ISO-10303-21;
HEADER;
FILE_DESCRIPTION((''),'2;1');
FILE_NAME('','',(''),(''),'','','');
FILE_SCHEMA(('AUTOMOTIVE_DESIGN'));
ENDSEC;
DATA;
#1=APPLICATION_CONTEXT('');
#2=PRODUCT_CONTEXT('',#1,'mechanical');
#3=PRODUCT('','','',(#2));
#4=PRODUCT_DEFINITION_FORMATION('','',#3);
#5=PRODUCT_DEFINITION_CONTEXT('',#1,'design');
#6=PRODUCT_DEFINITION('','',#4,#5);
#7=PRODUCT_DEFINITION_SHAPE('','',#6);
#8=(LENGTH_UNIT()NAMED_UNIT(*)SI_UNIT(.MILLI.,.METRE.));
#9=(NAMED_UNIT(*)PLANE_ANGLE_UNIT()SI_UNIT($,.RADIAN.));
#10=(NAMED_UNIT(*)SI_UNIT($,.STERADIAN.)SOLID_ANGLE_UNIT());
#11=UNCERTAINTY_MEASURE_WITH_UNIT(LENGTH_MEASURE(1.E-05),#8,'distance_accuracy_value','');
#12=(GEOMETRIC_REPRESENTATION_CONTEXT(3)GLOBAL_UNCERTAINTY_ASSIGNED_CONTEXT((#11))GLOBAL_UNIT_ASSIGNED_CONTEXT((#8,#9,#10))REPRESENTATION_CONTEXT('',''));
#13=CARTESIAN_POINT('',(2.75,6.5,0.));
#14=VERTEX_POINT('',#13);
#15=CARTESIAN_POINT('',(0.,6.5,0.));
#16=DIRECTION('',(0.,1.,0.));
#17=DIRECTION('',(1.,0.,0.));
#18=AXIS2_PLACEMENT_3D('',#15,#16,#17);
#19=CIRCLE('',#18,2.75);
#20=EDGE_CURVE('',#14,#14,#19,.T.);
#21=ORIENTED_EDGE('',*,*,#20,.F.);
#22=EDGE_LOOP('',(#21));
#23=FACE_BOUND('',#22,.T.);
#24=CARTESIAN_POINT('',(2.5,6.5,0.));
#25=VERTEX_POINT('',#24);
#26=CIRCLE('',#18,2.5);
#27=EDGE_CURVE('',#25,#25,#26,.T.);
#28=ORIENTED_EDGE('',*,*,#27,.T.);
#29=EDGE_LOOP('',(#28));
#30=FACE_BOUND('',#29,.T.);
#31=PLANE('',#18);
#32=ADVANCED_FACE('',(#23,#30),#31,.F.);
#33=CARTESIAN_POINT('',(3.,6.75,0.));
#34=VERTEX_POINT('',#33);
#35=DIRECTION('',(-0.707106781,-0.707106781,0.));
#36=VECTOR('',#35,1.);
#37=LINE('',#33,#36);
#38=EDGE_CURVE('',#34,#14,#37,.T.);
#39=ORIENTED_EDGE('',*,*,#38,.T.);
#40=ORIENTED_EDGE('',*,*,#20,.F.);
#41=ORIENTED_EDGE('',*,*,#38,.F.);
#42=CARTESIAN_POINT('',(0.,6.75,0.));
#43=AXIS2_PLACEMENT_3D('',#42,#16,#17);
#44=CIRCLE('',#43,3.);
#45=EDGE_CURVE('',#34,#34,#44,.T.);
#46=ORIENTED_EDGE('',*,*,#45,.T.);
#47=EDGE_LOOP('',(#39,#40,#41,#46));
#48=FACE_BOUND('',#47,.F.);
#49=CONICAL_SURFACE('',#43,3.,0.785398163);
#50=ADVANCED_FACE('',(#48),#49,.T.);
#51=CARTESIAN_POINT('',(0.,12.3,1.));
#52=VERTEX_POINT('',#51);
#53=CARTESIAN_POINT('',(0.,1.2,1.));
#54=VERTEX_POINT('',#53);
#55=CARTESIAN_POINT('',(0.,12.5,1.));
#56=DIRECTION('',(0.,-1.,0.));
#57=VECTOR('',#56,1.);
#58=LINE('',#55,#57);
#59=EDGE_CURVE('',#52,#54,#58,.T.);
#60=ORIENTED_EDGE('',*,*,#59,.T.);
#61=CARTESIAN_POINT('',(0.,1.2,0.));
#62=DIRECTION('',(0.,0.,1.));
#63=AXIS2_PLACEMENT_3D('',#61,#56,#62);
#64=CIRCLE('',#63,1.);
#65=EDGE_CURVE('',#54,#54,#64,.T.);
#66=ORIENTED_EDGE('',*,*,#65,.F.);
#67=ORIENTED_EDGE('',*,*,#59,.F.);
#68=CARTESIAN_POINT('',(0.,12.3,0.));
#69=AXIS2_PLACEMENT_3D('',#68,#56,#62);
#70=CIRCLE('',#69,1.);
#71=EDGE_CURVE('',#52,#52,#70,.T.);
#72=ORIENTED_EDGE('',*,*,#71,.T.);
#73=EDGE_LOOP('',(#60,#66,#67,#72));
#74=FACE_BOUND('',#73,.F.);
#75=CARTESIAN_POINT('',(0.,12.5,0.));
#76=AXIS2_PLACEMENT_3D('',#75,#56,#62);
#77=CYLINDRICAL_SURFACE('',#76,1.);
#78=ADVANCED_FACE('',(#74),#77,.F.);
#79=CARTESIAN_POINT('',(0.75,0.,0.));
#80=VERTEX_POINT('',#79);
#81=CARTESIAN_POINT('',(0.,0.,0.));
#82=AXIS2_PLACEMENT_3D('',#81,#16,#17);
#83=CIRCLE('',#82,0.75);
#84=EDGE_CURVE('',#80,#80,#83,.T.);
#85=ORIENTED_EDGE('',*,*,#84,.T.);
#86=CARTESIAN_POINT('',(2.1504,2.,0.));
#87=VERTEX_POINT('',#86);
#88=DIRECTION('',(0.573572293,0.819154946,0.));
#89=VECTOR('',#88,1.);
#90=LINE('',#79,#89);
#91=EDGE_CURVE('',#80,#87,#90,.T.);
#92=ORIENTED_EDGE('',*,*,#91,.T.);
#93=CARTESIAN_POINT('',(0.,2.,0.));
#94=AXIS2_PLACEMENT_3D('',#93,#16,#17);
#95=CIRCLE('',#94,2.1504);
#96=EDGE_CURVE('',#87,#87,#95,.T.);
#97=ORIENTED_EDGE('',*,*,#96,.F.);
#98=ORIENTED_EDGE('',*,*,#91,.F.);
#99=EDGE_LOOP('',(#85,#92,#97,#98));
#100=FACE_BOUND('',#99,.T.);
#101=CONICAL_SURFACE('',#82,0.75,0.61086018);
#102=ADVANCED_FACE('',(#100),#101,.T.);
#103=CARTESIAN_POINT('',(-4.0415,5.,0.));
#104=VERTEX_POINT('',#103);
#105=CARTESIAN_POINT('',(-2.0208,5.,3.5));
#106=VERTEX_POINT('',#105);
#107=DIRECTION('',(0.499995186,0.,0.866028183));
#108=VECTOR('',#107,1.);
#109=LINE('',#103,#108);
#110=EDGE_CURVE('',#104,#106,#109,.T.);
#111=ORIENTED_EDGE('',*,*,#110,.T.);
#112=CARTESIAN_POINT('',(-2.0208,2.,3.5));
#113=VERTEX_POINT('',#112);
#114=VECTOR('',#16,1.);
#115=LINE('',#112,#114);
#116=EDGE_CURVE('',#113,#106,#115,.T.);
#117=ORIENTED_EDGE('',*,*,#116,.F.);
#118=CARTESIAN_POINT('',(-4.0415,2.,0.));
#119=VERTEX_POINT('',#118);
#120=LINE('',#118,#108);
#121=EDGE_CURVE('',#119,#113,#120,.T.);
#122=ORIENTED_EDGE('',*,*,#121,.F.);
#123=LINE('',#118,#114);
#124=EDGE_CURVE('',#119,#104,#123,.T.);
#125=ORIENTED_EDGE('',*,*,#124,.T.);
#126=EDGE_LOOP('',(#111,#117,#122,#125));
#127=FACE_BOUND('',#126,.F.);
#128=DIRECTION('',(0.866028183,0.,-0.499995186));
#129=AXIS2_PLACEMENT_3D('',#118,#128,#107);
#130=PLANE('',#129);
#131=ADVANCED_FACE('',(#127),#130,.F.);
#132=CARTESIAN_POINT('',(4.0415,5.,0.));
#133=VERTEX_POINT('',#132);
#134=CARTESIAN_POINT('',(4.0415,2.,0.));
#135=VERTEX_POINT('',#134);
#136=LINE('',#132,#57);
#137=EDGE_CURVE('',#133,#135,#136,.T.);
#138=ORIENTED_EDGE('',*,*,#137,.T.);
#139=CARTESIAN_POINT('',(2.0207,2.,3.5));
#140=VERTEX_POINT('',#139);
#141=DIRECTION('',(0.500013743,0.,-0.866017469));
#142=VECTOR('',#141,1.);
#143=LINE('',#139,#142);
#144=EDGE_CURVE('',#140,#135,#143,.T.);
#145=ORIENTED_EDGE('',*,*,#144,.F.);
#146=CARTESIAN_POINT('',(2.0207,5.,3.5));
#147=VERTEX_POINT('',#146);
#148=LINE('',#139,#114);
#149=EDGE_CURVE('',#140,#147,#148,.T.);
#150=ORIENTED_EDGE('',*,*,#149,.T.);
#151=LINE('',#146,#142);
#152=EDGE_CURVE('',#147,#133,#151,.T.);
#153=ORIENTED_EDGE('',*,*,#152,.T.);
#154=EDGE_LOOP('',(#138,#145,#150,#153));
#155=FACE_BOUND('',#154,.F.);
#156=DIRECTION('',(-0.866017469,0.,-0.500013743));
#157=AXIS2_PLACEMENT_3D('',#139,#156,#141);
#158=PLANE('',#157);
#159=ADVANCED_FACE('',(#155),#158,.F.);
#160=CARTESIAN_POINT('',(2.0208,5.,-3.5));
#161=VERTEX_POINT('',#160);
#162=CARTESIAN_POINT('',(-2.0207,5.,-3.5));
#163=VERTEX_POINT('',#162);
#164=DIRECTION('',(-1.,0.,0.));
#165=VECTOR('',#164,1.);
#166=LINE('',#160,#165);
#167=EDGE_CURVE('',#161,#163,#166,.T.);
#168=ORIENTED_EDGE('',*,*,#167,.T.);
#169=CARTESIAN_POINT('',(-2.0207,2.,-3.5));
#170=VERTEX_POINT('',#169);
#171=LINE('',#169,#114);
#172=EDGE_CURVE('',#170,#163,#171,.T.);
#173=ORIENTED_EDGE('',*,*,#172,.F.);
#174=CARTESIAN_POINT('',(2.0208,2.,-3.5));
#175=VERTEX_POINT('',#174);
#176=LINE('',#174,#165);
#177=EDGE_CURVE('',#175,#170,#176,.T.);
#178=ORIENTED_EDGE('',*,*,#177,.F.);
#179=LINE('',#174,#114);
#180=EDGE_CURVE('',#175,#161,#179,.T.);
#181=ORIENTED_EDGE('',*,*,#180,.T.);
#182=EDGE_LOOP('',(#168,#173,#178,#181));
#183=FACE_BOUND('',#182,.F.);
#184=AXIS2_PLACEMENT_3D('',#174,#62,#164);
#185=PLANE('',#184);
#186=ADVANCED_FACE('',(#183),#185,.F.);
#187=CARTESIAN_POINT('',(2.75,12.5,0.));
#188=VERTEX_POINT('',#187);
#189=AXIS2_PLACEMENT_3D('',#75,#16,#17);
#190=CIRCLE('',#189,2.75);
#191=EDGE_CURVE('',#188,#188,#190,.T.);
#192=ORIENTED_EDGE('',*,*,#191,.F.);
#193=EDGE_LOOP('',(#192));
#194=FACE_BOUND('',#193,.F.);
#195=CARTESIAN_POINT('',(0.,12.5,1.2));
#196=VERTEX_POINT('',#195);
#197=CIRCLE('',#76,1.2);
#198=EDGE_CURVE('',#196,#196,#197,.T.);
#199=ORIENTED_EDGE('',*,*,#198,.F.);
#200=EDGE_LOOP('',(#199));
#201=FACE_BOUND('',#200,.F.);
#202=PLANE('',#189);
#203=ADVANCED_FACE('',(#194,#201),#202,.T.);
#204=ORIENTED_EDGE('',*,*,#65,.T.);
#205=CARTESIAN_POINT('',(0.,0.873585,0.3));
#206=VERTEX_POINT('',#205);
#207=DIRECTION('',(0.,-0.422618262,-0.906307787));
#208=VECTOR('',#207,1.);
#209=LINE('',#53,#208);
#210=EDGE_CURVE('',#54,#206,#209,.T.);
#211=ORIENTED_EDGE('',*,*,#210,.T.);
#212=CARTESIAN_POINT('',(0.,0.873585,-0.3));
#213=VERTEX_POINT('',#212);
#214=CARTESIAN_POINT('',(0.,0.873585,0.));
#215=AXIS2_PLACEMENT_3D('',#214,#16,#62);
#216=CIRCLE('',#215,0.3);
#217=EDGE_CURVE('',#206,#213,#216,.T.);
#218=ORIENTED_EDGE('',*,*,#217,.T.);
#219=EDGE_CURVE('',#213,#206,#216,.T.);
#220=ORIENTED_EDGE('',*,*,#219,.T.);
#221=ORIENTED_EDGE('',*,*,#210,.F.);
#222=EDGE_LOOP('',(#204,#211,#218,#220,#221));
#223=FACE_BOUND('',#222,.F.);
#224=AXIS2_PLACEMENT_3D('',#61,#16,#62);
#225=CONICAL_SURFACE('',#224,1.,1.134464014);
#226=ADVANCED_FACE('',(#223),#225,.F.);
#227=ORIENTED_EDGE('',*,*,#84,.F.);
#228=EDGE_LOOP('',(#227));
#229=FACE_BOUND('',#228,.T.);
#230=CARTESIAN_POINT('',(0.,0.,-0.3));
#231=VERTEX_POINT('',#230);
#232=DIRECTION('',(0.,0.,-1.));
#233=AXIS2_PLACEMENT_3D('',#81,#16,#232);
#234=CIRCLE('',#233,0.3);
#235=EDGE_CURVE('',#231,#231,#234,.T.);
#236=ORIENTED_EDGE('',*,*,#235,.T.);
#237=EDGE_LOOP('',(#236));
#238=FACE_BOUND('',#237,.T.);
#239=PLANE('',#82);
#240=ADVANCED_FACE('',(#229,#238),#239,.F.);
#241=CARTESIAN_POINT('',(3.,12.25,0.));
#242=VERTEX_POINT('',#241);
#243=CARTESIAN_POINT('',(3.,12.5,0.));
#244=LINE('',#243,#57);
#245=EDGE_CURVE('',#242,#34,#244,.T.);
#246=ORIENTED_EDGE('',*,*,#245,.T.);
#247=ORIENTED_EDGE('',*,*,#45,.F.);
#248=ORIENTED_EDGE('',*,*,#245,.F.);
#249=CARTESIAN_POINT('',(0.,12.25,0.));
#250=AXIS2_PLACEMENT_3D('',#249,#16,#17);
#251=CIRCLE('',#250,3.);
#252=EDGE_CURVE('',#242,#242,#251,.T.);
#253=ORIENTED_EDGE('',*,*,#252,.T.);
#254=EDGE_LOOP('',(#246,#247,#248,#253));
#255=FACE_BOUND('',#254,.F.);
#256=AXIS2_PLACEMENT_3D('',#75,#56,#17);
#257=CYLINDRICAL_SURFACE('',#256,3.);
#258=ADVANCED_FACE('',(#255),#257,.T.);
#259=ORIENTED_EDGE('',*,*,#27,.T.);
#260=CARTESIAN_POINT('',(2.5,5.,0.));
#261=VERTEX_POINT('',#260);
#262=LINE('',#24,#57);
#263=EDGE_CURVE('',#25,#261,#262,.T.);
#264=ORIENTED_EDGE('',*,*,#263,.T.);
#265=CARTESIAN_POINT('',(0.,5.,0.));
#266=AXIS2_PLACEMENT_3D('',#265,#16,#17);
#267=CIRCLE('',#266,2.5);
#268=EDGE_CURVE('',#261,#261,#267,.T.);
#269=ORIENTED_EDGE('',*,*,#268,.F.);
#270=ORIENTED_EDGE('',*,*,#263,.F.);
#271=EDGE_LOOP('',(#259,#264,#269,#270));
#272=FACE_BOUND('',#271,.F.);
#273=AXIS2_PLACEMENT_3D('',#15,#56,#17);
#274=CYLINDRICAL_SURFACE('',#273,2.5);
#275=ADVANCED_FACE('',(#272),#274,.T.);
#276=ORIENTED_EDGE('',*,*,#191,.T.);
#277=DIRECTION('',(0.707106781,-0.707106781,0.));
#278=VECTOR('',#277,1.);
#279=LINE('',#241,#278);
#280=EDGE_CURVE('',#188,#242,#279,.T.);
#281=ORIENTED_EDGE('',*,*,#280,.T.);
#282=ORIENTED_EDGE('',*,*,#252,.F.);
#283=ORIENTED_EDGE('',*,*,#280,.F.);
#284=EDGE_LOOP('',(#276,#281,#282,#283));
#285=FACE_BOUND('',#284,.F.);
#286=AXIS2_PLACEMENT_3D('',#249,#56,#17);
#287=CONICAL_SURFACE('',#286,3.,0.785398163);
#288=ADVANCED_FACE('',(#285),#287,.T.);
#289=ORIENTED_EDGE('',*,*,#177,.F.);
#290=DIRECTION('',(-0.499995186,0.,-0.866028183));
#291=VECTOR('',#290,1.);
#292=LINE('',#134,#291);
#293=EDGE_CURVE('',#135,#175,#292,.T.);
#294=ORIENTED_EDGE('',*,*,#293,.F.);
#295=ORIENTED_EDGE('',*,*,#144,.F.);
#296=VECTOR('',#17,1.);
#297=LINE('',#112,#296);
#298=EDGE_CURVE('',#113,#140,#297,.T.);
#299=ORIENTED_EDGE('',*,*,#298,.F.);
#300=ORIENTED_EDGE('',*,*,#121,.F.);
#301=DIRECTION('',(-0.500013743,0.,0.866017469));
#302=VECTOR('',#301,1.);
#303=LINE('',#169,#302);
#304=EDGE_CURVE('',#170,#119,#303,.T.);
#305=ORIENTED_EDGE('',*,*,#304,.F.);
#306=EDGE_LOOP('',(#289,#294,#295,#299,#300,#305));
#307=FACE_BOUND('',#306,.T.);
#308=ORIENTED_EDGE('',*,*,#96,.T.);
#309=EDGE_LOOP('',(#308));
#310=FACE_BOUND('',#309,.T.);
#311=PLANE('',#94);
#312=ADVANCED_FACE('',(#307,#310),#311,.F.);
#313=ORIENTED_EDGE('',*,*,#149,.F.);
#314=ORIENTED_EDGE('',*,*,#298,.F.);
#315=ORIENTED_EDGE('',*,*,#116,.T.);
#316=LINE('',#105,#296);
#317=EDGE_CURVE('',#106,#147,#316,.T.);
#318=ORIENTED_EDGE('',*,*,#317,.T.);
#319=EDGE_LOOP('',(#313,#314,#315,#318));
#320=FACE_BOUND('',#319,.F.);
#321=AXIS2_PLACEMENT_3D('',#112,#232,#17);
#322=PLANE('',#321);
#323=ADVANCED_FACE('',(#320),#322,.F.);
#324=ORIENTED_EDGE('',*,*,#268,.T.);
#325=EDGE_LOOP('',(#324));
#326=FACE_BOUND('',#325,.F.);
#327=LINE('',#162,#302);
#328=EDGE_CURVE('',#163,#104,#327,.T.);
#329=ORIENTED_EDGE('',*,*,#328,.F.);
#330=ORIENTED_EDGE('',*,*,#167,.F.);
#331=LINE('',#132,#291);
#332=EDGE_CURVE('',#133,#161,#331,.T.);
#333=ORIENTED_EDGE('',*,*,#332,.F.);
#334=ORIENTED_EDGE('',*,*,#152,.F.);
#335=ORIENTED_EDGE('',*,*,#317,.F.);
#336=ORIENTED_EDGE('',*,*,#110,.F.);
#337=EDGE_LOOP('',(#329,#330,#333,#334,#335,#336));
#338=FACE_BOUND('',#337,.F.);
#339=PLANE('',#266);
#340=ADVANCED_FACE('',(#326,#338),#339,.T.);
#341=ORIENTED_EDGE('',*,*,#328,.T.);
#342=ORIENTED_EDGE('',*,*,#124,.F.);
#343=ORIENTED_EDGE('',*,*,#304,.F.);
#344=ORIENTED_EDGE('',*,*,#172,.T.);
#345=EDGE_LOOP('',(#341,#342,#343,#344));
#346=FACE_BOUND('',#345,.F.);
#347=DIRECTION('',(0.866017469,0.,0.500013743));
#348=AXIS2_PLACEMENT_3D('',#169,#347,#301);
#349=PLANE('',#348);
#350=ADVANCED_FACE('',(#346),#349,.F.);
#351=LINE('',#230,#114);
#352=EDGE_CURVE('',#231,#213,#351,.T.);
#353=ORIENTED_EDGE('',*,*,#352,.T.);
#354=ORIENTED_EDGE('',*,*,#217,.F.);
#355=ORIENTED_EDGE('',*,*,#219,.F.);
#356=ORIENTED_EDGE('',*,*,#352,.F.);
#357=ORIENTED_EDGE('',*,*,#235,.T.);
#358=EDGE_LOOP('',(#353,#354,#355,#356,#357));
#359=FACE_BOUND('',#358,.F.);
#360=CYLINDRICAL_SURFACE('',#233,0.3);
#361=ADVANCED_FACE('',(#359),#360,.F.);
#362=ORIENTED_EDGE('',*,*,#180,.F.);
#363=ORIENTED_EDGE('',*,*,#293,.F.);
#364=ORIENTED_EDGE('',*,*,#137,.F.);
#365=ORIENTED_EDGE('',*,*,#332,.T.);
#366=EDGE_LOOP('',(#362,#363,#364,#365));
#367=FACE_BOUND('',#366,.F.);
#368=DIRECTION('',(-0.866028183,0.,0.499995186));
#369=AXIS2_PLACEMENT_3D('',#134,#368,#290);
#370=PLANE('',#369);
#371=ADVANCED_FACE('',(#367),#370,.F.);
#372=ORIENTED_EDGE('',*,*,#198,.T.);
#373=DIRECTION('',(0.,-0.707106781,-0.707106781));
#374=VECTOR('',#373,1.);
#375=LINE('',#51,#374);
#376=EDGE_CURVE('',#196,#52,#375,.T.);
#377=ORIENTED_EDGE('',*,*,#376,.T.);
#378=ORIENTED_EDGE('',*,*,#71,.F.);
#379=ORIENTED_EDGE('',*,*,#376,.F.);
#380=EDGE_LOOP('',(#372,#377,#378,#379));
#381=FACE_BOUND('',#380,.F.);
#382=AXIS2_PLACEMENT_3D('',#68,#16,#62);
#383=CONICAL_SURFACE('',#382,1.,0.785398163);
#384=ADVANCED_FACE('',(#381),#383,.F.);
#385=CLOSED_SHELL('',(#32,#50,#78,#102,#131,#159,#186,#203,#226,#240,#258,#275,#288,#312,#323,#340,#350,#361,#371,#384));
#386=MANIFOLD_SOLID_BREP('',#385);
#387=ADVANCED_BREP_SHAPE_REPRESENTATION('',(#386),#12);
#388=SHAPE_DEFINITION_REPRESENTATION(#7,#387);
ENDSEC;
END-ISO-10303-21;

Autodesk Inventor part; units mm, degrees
ref_plane "YZ Plane" through (0, 0, 0) normal (1, 0, 0) x (0, 1, 0)
ref_plane "XZ Plane" through (0, 0, 0) normal (0, 1, 0) x (-1, 0, 0)
ref_plane "XY Plane" through (0, 0, 0) normal (0, 0, 1) x (1, 0, 0)
sketch "Эскиз1" plane through (0, 0, 0) normal (0, 0, 1) x (1, 0, 0)
  line L0 (0, 0) -> (0, 15)
  line L1 (0, 12.5) -> (3, 12.5)
  line L2 (2.1504, 2) -> (4.0415, 2)
  line L3 (2.5, 5) -> (4.0415, 5)
  line L4 (2.5, 6.5) -> (3, 6.5)
  line L5 (0, 0) -> (0.75, 0)
  line L6 (2.5, 6.5) -> (2.5, 5)
  line L7 (3, 12.5) -> (3, 6.5)
  line L8 (0.75, 0) -> (2.1504, 2)
  line L9 (4.0415, 5) -> (4.0415, 2)
  line L10 (0, 12.5) -> (0, 0)
  dimension "d0" = 15
  dimension "d1" = 12.5
  dimension "d2" = 10.5
  dimension "d3" = 7.5
  dimension "d4" = 6
  dimension "d6" = 5
  dimension "d7" = 6
  dimension "d8" = 125
  dimension "d11" = 8.083
  dimension "d44" = 1.5
revolve "Вращение1" add sketch "Эскиз1" angle 360 about axis through (0, 0, 0) along (0, 1, 0)
chamfer "Фаска1" distance 0.25 angle 45 2 edges at (-3, 12.5, 0) (-3, 6.5, 0)
thread "Резьба1" size "M6x1" class "6g" standard "ANSI Metric M Profile" full length
sketch "Эскиз2" plane through (0, 12.5, 0) normal (0, 1, 0) x (1, 0, 0)
  point P0 (0, 0)
  point P1 (0, 0)
sketch "Эскиз3" plane through (0, 0, 0) normal (0, -1, 0) x (1, 0, 0)
  point P0 (0, 0)
  point P1 (0, 0)
hole "Отверстие2" at (0, 12.5, 0) direction (0, -1, 0) diameter 2 depth 11.3 tip angle 130
chamfer "Фаска2" distance 0.2 angle 45 1 edges at (0, 12.5, -1)
hole "Отверстие3" at (0, 0, 0) direction (0, 1, 0) diameter 0.6 depth 1.2
sketch "Эскиз4" plane through (0, 2, 0) normal (0, -1, 0) x (1, 0, 0)
  circle A0 centre (0, 0) radius 0.3 projected
  circle A1 centre (0, 0) radius 4.0415 projected
  line L0 (4.0415, 0) -> (2.0208, -3.5)
  line L1 (2.0208, -3.5) -> (-2.0207, -3.5)
  line L2 (-2.0207, -3.5) -> (-4.0415, 0)
  line L3 (-4.0415, 0) -> (-2.0208, 3.5)
  line L4 (-2.0208, 3.5) -> (2.0207, 3.5)
  line L5 (2.0207, 3.5) -> (4.0415, 0)
extrude "Выдавливание1" cut sketch "Эскиз4" against normal blind 3 contours L5 A1 | A1 L0 | L4 A1 | A1 L1 | L3 A1 | A1 L2
properties part number "nozzle-0,5"
